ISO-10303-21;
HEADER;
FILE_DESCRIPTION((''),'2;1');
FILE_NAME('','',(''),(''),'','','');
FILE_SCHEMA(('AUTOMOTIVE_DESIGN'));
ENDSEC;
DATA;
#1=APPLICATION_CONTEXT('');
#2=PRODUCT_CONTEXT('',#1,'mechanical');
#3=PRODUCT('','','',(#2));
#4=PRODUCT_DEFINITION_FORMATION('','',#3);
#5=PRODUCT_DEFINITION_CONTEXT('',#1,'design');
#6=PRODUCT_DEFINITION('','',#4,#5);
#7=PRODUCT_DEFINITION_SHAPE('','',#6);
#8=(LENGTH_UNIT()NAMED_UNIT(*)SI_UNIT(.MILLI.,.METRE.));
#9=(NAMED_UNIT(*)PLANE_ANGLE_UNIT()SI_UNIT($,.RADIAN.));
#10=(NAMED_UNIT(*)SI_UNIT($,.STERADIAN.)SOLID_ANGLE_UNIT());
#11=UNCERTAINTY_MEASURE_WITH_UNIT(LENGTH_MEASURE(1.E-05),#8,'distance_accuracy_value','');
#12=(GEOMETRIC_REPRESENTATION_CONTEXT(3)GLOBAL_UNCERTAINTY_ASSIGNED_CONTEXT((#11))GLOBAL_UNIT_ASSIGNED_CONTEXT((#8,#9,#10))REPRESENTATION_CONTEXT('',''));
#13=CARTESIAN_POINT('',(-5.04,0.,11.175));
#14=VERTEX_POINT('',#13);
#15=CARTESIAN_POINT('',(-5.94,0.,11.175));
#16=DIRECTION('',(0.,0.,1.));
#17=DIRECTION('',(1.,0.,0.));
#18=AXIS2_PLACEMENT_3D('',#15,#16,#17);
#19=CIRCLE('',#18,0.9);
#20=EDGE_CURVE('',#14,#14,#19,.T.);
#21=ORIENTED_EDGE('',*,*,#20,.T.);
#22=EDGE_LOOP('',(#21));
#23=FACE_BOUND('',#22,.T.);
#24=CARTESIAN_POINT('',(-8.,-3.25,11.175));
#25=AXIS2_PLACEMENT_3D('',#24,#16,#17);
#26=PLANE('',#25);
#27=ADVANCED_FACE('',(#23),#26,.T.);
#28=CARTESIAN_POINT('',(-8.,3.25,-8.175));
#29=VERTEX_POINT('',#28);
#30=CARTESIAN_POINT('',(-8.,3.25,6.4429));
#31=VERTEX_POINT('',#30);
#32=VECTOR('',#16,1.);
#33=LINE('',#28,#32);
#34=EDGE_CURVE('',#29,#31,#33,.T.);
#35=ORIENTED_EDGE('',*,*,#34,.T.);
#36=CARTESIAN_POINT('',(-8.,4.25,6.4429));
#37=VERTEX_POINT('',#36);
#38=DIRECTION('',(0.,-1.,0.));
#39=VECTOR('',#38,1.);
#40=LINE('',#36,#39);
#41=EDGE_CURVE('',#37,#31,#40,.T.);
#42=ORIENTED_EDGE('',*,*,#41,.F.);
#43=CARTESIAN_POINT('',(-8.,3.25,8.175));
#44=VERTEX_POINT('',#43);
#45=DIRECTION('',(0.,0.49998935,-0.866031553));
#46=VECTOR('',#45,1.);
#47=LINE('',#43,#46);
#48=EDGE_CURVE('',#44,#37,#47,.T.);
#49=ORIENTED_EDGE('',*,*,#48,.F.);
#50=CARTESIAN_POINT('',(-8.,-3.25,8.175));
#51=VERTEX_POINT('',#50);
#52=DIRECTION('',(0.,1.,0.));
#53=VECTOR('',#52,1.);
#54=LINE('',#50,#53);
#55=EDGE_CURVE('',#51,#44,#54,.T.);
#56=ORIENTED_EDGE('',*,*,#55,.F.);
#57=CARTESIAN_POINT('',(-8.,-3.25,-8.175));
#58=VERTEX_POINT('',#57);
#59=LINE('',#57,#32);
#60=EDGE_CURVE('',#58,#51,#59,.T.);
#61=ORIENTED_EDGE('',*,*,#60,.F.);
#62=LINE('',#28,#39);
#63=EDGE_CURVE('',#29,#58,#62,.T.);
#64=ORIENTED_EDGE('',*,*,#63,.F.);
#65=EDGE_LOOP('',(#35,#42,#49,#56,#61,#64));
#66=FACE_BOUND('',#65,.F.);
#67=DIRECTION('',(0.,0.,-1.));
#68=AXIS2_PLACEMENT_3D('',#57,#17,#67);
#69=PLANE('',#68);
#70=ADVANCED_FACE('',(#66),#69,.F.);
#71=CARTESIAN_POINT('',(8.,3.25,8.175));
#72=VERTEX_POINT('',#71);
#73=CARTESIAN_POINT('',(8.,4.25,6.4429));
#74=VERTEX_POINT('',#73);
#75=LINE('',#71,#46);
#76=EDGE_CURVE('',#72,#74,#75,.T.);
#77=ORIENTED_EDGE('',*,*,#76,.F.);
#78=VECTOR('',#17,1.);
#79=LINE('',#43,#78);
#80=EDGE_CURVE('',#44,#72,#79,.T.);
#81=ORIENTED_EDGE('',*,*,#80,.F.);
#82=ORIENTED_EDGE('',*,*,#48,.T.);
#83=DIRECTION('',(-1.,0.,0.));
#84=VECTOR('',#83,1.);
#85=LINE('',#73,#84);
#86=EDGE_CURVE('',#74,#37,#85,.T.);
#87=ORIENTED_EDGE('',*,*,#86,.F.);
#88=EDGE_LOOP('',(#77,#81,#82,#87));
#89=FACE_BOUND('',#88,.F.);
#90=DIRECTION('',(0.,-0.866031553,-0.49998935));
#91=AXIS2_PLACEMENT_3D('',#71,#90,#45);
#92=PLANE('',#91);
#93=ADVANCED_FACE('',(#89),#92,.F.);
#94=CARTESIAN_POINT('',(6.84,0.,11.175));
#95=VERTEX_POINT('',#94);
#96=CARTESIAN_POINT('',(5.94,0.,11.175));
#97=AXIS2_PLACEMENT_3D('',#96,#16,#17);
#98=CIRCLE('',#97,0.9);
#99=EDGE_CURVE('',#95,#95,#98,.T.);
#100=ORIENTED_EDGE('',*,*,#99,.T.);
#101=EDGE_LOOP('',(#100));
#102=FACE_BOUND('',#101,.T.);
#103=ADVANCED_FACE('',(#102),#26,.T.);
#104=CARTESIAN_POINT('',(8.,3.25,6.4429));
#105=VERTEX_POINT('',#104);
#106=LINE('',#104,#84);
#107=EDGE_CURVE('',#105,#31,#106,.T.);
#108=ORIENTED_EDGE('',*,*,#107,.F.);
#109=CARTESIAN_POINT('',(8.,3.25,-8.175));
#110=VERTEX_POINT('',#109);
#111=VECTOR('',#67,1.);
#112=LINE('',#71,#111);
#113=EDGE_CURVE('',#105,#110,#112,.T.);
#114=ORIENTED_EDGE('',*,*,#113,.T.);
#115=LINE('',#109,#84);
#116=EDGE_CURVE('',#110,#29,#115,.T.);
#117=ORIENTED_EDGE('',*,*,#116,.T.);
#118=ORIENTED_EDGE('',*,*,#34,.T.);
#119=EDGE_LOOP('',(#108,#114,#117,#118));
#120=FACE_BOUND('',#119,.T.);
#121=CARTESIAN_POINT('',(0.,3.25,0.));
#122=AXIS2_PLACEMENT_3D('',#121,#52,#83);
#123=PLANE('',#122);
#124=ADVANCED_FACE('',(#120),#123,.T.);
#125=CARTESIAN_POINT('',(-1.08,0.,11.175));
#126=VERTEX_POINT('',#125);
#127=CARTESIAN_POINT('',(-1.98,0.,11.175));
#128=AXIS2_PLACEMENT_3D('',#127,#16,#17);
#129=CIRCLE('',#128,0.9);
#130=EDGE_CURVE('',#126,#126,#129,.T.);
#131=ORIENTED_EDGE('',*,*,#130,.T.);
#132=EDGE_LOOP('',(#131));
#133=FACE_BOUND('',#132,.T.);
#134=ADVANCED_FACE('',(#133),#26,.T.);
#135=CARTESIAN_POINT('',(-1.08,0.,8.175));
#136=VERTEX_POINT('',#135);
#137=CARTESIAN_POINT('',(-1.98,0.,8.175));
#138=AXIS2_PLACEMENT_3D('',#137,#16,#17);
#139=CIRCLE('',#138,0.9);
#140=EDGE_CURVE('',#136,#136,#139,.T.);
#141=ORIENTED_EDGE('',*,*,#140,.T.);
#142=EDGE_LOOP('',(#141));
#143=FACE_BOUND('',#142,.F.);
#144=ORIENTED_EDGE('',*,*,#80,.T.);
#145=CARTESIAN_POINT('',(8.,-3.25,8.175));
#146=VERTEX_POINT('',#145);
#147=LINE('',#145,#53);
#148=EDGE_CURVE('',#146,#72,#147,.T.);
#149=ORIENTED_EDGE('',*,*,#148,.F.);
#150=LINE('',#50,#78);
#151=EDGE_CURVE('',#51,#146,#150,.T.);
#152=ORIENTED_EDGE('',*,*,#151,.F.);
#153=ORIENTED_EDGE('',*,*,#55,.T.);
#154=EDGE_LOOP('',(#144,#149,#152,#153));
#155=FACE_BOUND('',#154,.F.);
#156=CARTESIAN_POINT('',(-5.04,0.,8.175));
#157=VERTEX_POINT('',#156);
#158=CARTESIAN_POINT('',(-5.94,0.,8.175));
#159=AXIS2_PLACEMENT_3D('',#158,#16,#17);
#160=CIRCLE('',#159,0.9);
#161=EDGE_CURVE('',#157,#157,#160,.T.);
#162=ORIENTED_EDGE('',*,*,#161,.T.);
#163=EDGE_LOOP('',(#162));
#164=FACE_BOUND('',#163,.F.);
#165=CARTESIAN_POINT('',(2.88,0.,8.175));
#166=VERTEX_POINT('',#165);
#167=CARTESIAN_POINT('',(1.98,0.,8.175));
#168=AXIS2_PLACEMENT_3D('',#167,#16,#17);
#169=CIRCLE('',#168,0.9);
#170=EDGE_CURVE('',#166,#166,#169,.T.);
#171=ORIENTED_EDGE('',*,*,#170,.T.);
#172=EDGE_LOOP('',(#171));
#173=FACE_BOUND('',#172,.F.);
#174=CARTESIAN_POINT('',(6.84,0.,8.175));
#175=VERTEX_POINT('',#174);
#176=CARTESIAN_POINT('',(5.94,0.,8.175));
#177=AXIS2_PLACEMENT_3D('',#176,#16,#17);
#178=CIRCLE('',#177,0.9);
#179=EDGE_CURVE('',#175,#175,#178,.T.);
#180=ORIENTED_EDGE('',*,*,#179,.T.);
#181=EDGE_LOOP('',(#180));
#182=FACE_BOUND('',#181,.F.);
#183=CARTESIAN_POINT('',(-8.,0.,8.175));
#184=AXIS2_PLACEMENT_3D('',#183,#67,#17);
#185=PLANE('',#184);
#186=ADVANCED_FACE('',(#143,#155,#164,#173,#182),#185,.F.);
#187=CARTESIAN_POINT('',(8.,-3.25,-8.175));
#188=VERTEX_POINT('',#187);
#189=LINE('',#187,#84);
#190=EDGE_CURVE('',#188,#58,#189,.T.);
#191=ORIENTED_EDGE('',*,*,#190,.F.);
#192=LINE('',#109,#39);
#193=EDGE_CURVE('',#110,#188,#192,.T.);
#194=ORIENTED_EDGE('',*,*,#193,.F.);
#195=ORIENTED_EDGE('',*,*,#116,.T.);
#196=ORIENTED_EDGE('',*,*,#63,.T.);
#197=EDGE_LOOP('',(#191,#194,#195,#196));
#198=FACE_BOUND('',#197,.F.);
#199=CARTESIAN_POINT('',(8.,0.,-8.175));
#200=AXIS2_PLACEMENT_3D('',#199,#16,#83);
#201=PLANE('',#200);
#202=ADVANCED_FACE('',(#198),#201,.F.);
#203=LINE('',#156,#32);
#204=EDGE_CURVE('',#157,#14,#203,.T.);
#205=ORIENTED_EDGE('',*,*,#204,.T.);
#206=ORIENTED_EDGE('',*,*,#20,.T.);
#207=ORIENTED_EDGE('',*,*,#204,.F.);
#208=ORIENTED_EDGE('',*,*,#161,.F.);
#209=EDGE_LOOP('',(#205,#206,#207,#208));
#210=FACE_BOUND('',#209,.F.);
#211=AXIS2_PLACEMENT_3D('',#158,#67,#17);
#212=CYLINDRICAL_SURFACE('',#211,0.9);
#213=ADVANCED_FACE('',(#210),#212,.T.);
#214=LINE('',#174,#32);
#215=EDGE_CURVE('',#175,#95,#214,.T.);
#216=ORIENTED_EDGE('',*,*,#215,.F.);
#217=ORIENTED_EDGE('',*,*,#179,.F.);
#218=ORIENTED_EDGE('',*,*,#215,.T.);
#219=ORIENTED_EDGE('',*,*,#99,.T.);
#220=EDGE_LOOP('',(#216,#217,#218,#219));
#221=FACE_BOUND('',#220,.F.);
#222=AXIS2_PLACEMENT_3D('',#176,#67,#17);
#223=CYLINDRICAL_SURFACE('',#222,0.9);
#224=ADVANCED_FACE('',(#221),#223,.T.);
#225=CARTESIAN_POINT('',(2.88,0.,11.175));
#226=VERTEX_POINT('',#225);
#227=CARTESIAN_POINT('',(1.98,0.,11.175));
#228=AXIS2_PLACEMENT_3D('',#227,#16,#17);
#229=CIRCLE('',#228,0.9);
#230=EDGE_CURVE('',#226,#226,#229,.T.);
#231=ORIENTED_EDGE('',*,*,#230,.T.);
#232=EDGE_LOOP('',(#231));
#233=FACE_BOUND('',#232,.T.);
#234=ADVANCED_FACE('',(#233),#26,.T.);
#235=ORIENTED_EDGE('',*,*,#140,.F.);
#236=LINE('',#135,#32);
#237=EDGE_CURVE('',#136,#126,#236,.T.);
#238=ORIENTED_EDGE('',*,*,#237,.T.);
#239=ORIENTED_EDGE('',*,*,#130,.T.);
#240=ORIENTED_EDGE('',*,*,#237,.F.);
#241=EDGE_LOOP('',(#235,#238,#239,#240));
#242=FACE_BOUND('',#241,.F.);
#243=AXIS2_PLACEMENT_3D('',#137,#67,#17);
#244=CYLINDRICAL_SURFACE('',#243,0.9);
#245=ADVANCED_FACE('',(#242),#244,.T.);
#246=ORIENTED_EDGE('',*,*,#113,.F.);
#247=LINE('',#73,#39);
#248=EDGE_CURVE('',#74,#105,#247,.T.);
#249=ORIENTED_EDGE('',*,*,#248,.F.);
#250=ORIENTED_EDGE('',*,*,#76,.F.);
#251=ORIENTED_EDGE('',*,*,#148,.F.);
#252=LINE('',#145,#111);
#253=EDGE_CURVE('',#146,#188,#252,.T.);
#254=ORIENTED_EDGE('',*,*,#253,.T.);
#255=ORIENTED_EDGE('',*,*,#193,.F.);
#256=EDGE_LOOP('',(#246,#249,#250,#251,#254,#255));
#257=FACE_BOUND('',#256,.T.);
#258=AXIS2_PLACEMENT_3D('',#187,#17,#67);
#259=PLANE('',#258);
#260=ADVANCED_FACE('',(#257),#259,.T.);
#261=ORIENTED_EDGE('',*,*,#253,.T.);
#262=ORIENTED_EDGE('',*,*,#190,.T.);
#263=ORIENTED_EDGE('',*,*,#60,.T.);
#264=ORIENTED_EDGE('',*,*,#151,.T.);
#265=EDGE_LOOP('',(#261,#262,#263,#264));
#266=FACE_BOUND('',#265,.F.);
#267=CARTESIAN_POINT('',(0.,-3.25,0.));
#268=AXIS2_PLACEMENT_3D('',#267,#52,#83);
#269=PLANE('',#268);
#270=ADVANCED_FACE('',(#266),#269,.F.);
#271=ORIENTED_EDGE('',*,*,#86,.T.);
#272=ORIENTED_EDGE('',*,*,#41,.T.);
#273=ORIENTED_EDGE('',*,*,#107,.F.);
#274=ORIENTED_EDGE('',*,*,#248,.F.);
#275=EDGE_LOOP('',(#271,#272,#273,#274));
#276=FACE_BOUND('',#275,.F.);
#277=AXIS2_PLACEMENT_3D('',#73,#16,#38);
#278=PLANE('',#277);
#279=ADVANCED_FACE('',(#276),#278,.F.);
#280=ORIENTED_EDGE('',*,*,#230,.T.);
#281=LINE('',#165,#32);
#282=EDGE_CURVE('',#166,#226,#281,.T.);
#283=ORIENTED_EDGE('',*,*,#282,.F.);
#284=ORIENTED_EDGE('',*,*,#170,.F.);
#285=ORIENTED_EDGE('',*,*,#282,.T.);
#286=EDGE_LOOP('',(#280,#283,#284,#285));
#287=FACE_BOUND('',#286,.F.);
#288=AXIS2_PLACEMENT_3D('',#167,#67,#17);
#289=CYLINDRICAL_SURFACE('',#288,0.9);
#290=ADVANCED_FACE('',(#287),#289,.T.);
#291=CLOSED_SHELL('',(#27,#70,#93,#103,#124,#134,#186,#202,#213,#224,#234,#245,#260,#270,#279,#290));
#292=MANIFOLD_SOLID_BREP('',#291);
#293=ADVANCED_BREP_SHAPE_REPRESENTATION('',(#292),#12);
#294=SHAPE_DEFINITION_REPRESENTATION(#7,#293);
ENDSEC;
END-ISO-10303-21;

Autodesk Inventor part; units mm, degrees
ref_plane "YZ Plane" through (0, 0, 0) normal (1, 0, 0) x (0, 1, 0)
ref_plane "XZ Plane" through (0, 0, 0) normal (0, 1, 0) x (-1, 0, 0)
ref_plane "XY Plane" through (0, 0, 0) normal (0, 0, 1) x (1, 0, 0)
sketch "Boceto1" plane through (0, 0, 0) normal (0, 1, 0) x (-1, 0, 0)
  line L0 (8, 8.175) -> (-8, 8.175)
  line L1 (-8, 8.175) -> (-8, -8.175)
  line L2 (-8, -8.175) -> (8, -8.175)
  line L3 (8, -8.175) -> (8, 8.175)
  point P0 (0, 0)
  dimension "d0" = 16.35
  dimension "d1" = 16
  dimension "d2" = 8
  dimension "d3" = 8.175
extrude "Extrusión1" add sketch "Boceto1" along normal mid plane 6.5
sketch "Boceto2" plane through (8, -3.25, -8.175) normal (1, 0, 0) x (0, 0, -1)
  line L0 (0, 0) -> (0, 6.5) projected
  line L1 (-16.35, 6.5) -> (0, 6.5) projected
  line L2 (-16.35, 0) -> (-16.35, 6.5) projected
  line L3 (0, 0) -> (-16.35, 0) projected
  line L4 (0, 6.5) -> (-16.35, 6.5) projected
  line L5 (-16.35, 6.5) -> (-14.6179, 7.5)
  line L6 (-14.6179, 7.5) -> (-14.6179, 6.5)
  line L7 (-16.35, 6.5) -> (-14.6179, 6.5)
  point P0 (-8.175, 3.25)
  dimension "d6" = 7.5
  dimension "d7" = 60
extrude "Extrusión2" add sketch "Boceto2" against normal blind 16 contours L1 L5 L6
sketch "Boceto3" plane through (-8, -3.25, 8.175) normal (0, 0, 1) x (1, 0, 0)
  line L0 (16, 0) -> (16, 6.5) projected
  line L1 (0, 6.5) -> (16, 6.5) projected
  line L2 (0, 0) -> (0, 6.5) projected
  line L3 (16, 0) -> (0, 0) projected
  circle A0 centre (13.94, 3.25) radius 0.9
  circle A1 centre (9.98, 3.25) radius 0.9
  circle A2 centre (6.02, 3.25) radius 0.9
  circle A3 centre (2.06, 3.25) radius 0.9
  point P0 (8, 3.25)
  dimension "d10" = 3.25
  dimension "P" = 3.96
  dimension "d12" = 3.96
  dimension "d13" = 3.96
  dimension "d14" = 2.06
  dimension "d15" = 1.8
  dimension "d16" = 1.8
  dimension "d17" = 1.8
  dimension "d18" = 1.8
extrude "Extrusión3" add sketch "Boceto3" along normal blind 3 contours A0 | A1 | A2 | A3
equation "\"d12\" = P"
equation "\"d13\" = P"
properties part number "conector_4pines"
